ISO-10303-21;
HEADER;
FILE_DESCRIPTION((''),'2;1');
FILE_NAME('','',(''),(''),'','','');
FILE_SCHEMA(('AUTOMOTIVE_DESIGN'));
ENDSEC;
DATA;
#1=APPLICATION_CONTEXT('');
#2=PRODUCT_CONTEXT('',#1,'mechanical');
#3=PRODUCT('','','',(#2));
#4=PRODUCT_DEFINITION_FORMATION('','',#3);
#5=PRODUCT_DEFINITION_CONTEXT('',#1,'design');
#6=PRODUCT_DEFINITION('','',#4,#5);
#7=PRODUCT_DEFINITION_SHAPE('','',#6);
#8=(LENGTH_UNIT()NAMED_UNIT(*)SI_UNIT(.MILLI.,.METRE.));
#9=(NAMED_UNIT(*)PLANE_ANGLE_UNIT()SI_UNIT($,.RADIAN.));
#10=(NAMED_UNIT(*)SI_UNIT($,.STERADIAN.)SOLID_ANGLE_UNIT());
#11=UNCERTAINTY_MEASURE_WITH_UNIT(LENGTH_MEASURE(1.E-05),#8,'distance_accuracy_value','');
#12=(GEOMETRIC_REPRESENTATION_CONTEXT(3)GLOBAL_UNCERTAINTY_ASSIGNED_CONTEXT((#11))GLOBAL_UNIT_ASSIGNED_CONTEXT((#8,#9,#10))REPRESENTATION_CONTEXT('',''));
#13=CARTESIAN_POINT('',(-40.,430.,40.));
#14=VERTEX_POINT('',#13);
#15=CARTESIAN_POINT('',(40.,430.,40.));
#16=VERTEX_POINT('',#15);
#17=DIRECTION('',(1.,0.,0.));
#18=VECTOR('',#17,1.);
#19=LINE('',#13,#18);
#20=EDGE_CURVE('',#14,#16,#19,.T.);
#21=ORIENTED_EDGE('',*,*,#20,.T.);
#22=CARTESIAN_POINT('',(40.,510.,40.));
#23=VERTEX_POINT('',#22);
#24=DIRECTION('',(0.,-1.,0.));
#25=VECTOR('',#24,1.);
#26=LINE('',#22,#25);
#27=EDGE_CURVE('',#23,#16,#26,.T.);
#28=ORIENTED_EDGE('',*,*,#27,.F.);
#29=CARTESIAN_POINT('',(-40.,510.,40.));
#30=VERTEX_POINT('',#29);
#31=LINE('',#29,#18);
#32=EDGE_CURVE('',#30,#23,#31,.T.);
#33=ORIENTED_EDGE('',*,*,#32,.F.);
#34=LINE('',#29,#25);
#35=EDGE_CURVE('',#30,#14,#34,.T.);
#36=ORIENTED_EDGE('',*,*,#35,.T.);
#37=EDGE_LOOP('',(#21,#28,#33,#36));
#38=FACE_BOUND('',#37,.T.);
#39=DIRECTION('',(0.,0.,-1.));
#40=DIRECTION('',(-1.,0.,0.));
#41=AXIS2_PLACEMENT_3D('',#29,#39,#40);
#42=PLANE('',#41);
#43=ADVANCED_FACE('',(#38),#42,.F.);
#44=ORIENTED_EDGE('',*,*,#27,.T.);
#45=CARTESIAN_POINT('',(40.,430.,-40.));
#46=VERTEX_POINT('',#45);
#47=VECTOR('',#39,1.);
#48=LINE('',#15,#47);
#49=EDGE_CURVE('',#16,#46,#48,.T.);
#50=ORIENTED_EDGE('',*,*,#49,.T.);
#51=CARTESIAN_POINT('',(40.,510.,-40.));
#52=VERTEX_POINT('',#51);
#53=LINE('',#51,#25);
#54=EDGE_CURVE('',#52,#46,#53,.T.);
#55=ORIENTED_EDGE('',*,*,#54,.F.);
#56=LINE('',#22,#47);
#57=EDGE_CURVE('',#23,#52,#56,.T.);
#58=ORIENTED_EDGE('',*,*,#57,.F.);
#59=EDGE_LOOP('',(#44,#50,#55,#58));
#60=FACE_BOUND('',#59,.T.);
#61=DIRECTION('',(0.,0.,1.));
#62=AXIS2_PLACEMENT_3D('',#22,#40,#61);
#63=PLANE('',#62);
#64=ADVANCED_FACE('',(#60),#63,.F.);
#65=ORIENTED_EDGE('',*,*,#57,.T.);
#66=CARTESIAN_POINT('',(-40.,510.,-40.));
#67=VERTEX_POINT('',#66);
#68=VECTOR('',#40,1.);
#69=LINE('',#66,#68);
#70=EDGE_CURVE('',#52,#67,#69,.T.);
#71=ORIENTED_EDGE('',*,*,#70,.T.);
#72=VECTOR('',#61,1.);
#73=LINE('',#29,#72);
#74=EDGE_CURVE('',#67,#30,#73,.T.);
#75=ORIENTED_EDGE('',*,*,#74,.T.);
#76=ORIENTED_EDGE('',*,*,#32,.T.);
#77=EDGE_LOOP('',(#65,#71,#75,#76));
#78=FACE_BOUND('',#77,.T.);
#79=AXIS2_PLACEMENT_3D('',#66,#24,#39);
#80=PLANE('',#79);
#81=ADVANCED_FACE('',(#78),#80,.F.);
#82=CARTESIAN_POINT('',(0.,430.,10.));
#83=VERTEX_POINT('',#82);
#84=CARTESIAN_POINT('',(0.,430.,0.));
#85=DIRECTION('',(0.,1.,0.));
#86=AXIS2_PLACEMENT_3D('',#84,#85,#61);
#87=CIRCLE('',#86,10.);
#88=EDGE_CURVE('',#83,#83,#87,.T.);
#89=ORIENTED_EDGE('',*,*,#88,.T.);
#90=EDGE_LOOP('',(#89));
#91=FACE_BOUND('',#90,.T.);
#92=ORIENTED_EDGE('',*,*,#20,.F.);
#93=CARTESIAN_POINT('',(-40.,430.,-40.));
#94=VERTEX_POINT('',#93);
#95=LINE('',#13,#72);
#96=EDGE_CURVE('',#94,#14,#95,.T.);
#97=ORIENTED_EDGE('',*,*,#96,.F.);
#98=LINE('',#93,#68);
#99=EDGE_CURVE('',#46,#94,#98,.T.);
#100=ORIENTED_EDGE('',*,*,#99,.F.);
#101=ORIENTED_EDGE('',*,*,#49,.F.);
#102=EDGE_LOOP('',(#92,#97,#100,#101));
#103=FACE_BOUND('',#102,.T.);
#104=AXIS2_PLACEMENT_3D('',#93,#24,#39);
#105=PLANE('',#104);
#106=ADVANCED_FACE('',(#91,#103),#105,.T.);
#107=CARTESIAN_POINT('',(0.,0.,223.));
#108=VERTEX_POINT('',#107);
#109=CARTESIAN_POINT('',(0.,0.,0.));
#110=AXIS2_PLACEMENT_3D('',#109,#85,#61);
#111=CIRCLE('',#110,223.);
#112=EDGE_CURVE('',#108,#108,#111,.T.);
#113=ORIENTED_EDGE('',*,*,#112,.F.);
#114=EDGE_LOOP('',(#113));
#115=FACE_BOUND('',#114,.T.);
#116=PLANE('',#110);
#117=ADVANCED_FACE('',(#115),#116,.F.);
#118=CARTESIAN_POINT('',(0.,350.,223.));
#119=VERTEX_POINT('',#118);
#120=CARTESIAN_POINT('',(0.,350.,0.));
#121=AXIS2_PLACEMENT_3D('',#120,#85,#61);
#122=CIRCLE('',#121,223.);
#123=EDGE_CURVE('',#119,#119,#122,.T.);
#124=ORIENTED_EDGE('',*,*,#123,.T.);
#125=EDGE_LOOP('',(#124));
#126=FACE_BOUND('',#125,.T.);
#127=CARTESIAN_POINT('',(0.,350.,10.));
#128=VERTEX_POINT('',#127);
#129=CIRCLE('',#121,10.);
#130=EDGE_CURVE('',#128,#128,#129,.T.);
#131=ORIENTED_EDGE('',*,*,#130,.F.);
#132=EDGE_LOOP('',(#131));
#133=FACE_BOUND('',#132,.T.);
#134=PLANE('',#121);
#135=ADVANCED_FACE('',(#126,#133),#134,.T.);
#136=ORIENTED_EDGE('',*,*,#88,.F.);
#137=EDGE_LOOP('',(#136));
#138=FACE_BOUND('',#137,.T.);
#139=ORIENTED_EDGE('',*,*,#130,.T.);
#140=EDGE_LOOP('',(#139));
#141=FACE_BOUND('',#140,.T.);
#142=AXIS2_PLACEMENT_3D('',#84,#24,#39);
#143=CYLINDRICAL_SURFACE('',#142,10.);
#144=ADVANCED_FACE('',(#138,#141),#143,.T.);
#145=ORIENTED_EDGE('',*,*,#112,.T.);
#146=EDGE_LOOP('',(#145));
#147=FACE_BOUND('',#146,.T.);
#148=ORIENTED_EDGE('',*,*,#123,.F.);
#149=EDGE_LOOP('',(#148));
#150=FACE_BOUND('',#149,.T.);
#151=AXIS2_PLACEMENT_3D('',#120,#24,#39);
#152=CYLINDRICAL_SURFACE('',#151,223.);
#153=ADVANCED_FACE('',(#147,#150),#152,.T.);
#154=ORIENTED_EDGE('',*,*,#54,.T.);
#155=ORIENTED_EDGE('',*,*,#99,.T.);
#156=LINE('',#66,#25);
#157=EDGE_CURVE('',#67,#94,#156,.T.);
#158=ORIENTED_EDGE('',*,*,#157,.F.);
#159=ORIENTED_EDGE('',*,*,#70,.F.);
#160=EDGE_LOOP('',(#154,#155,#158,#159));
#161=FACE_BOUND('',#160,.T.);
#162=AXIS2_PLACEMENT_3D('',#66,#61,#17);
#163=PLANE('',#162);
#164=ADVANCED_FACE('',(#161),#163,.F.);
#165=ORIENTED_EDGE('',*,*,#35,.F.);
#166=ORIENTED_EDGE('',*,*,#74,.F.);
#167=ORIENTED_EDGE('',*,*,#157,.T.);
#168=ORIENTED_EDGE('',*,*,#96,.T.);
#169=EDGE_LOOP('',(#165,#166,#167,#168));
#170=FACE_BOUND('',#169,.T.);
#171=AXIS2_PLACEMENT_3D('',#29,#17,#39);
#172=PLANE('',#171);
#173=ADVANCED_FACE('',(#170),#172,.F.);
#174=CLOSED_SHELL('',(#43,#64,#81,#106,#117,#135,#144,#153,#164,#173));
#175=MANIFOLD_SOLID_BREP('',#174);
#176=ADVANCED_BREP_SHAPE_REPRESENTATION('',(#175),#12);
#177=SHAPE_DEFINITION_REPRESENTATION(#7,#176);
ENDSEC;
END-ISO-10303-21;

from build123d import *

# Parameters (mm, degrees)
ESQUISSE1_R      = 223
EXTRUSION1_DEPTH = 350
ESQUISSE2_R      = 10
EXTRUSION2_DEPTH = 80
ESQUISSE3_W      = 80
ESQUISSE3_H      = 80
EXTRUSION3_DEPTH = 80


with BuildPart() as part:
    # Esquisse1 → Extrusion1 (new body)
    with BuildSketch(Plane(origin=(0, 0, 0), x_dir=(1, 0, 0), z_dir=(0, 1, 0))):
        Circle(ESQUISSE1_R)
    extrude(amount=EXTRUSION1_DEPTH)

    # Esquisse2 → Extrusion2 (add)
    with BuildSketch(Plane(origin=(0, 350, 0), x_dir=(1, 0, 0), z_dir=(0, 1, 0))):
        Circle(ESQUISSE2_R)
    extrude(amount=EXTRUSION2_DEPTH)

    # Esquisse3 → Extrusion3 (add)
    with BuildSketch(Plane(origin=(0, 430, 0), x_dir=(1, 0, 0), z_dir=(0, 1, 0))):
        Rectangle(ESQUISSE3_W, ESQUISSE3_H)
    extrude(amount=EXTRUSION3_DEPTH)


solid = part.part
